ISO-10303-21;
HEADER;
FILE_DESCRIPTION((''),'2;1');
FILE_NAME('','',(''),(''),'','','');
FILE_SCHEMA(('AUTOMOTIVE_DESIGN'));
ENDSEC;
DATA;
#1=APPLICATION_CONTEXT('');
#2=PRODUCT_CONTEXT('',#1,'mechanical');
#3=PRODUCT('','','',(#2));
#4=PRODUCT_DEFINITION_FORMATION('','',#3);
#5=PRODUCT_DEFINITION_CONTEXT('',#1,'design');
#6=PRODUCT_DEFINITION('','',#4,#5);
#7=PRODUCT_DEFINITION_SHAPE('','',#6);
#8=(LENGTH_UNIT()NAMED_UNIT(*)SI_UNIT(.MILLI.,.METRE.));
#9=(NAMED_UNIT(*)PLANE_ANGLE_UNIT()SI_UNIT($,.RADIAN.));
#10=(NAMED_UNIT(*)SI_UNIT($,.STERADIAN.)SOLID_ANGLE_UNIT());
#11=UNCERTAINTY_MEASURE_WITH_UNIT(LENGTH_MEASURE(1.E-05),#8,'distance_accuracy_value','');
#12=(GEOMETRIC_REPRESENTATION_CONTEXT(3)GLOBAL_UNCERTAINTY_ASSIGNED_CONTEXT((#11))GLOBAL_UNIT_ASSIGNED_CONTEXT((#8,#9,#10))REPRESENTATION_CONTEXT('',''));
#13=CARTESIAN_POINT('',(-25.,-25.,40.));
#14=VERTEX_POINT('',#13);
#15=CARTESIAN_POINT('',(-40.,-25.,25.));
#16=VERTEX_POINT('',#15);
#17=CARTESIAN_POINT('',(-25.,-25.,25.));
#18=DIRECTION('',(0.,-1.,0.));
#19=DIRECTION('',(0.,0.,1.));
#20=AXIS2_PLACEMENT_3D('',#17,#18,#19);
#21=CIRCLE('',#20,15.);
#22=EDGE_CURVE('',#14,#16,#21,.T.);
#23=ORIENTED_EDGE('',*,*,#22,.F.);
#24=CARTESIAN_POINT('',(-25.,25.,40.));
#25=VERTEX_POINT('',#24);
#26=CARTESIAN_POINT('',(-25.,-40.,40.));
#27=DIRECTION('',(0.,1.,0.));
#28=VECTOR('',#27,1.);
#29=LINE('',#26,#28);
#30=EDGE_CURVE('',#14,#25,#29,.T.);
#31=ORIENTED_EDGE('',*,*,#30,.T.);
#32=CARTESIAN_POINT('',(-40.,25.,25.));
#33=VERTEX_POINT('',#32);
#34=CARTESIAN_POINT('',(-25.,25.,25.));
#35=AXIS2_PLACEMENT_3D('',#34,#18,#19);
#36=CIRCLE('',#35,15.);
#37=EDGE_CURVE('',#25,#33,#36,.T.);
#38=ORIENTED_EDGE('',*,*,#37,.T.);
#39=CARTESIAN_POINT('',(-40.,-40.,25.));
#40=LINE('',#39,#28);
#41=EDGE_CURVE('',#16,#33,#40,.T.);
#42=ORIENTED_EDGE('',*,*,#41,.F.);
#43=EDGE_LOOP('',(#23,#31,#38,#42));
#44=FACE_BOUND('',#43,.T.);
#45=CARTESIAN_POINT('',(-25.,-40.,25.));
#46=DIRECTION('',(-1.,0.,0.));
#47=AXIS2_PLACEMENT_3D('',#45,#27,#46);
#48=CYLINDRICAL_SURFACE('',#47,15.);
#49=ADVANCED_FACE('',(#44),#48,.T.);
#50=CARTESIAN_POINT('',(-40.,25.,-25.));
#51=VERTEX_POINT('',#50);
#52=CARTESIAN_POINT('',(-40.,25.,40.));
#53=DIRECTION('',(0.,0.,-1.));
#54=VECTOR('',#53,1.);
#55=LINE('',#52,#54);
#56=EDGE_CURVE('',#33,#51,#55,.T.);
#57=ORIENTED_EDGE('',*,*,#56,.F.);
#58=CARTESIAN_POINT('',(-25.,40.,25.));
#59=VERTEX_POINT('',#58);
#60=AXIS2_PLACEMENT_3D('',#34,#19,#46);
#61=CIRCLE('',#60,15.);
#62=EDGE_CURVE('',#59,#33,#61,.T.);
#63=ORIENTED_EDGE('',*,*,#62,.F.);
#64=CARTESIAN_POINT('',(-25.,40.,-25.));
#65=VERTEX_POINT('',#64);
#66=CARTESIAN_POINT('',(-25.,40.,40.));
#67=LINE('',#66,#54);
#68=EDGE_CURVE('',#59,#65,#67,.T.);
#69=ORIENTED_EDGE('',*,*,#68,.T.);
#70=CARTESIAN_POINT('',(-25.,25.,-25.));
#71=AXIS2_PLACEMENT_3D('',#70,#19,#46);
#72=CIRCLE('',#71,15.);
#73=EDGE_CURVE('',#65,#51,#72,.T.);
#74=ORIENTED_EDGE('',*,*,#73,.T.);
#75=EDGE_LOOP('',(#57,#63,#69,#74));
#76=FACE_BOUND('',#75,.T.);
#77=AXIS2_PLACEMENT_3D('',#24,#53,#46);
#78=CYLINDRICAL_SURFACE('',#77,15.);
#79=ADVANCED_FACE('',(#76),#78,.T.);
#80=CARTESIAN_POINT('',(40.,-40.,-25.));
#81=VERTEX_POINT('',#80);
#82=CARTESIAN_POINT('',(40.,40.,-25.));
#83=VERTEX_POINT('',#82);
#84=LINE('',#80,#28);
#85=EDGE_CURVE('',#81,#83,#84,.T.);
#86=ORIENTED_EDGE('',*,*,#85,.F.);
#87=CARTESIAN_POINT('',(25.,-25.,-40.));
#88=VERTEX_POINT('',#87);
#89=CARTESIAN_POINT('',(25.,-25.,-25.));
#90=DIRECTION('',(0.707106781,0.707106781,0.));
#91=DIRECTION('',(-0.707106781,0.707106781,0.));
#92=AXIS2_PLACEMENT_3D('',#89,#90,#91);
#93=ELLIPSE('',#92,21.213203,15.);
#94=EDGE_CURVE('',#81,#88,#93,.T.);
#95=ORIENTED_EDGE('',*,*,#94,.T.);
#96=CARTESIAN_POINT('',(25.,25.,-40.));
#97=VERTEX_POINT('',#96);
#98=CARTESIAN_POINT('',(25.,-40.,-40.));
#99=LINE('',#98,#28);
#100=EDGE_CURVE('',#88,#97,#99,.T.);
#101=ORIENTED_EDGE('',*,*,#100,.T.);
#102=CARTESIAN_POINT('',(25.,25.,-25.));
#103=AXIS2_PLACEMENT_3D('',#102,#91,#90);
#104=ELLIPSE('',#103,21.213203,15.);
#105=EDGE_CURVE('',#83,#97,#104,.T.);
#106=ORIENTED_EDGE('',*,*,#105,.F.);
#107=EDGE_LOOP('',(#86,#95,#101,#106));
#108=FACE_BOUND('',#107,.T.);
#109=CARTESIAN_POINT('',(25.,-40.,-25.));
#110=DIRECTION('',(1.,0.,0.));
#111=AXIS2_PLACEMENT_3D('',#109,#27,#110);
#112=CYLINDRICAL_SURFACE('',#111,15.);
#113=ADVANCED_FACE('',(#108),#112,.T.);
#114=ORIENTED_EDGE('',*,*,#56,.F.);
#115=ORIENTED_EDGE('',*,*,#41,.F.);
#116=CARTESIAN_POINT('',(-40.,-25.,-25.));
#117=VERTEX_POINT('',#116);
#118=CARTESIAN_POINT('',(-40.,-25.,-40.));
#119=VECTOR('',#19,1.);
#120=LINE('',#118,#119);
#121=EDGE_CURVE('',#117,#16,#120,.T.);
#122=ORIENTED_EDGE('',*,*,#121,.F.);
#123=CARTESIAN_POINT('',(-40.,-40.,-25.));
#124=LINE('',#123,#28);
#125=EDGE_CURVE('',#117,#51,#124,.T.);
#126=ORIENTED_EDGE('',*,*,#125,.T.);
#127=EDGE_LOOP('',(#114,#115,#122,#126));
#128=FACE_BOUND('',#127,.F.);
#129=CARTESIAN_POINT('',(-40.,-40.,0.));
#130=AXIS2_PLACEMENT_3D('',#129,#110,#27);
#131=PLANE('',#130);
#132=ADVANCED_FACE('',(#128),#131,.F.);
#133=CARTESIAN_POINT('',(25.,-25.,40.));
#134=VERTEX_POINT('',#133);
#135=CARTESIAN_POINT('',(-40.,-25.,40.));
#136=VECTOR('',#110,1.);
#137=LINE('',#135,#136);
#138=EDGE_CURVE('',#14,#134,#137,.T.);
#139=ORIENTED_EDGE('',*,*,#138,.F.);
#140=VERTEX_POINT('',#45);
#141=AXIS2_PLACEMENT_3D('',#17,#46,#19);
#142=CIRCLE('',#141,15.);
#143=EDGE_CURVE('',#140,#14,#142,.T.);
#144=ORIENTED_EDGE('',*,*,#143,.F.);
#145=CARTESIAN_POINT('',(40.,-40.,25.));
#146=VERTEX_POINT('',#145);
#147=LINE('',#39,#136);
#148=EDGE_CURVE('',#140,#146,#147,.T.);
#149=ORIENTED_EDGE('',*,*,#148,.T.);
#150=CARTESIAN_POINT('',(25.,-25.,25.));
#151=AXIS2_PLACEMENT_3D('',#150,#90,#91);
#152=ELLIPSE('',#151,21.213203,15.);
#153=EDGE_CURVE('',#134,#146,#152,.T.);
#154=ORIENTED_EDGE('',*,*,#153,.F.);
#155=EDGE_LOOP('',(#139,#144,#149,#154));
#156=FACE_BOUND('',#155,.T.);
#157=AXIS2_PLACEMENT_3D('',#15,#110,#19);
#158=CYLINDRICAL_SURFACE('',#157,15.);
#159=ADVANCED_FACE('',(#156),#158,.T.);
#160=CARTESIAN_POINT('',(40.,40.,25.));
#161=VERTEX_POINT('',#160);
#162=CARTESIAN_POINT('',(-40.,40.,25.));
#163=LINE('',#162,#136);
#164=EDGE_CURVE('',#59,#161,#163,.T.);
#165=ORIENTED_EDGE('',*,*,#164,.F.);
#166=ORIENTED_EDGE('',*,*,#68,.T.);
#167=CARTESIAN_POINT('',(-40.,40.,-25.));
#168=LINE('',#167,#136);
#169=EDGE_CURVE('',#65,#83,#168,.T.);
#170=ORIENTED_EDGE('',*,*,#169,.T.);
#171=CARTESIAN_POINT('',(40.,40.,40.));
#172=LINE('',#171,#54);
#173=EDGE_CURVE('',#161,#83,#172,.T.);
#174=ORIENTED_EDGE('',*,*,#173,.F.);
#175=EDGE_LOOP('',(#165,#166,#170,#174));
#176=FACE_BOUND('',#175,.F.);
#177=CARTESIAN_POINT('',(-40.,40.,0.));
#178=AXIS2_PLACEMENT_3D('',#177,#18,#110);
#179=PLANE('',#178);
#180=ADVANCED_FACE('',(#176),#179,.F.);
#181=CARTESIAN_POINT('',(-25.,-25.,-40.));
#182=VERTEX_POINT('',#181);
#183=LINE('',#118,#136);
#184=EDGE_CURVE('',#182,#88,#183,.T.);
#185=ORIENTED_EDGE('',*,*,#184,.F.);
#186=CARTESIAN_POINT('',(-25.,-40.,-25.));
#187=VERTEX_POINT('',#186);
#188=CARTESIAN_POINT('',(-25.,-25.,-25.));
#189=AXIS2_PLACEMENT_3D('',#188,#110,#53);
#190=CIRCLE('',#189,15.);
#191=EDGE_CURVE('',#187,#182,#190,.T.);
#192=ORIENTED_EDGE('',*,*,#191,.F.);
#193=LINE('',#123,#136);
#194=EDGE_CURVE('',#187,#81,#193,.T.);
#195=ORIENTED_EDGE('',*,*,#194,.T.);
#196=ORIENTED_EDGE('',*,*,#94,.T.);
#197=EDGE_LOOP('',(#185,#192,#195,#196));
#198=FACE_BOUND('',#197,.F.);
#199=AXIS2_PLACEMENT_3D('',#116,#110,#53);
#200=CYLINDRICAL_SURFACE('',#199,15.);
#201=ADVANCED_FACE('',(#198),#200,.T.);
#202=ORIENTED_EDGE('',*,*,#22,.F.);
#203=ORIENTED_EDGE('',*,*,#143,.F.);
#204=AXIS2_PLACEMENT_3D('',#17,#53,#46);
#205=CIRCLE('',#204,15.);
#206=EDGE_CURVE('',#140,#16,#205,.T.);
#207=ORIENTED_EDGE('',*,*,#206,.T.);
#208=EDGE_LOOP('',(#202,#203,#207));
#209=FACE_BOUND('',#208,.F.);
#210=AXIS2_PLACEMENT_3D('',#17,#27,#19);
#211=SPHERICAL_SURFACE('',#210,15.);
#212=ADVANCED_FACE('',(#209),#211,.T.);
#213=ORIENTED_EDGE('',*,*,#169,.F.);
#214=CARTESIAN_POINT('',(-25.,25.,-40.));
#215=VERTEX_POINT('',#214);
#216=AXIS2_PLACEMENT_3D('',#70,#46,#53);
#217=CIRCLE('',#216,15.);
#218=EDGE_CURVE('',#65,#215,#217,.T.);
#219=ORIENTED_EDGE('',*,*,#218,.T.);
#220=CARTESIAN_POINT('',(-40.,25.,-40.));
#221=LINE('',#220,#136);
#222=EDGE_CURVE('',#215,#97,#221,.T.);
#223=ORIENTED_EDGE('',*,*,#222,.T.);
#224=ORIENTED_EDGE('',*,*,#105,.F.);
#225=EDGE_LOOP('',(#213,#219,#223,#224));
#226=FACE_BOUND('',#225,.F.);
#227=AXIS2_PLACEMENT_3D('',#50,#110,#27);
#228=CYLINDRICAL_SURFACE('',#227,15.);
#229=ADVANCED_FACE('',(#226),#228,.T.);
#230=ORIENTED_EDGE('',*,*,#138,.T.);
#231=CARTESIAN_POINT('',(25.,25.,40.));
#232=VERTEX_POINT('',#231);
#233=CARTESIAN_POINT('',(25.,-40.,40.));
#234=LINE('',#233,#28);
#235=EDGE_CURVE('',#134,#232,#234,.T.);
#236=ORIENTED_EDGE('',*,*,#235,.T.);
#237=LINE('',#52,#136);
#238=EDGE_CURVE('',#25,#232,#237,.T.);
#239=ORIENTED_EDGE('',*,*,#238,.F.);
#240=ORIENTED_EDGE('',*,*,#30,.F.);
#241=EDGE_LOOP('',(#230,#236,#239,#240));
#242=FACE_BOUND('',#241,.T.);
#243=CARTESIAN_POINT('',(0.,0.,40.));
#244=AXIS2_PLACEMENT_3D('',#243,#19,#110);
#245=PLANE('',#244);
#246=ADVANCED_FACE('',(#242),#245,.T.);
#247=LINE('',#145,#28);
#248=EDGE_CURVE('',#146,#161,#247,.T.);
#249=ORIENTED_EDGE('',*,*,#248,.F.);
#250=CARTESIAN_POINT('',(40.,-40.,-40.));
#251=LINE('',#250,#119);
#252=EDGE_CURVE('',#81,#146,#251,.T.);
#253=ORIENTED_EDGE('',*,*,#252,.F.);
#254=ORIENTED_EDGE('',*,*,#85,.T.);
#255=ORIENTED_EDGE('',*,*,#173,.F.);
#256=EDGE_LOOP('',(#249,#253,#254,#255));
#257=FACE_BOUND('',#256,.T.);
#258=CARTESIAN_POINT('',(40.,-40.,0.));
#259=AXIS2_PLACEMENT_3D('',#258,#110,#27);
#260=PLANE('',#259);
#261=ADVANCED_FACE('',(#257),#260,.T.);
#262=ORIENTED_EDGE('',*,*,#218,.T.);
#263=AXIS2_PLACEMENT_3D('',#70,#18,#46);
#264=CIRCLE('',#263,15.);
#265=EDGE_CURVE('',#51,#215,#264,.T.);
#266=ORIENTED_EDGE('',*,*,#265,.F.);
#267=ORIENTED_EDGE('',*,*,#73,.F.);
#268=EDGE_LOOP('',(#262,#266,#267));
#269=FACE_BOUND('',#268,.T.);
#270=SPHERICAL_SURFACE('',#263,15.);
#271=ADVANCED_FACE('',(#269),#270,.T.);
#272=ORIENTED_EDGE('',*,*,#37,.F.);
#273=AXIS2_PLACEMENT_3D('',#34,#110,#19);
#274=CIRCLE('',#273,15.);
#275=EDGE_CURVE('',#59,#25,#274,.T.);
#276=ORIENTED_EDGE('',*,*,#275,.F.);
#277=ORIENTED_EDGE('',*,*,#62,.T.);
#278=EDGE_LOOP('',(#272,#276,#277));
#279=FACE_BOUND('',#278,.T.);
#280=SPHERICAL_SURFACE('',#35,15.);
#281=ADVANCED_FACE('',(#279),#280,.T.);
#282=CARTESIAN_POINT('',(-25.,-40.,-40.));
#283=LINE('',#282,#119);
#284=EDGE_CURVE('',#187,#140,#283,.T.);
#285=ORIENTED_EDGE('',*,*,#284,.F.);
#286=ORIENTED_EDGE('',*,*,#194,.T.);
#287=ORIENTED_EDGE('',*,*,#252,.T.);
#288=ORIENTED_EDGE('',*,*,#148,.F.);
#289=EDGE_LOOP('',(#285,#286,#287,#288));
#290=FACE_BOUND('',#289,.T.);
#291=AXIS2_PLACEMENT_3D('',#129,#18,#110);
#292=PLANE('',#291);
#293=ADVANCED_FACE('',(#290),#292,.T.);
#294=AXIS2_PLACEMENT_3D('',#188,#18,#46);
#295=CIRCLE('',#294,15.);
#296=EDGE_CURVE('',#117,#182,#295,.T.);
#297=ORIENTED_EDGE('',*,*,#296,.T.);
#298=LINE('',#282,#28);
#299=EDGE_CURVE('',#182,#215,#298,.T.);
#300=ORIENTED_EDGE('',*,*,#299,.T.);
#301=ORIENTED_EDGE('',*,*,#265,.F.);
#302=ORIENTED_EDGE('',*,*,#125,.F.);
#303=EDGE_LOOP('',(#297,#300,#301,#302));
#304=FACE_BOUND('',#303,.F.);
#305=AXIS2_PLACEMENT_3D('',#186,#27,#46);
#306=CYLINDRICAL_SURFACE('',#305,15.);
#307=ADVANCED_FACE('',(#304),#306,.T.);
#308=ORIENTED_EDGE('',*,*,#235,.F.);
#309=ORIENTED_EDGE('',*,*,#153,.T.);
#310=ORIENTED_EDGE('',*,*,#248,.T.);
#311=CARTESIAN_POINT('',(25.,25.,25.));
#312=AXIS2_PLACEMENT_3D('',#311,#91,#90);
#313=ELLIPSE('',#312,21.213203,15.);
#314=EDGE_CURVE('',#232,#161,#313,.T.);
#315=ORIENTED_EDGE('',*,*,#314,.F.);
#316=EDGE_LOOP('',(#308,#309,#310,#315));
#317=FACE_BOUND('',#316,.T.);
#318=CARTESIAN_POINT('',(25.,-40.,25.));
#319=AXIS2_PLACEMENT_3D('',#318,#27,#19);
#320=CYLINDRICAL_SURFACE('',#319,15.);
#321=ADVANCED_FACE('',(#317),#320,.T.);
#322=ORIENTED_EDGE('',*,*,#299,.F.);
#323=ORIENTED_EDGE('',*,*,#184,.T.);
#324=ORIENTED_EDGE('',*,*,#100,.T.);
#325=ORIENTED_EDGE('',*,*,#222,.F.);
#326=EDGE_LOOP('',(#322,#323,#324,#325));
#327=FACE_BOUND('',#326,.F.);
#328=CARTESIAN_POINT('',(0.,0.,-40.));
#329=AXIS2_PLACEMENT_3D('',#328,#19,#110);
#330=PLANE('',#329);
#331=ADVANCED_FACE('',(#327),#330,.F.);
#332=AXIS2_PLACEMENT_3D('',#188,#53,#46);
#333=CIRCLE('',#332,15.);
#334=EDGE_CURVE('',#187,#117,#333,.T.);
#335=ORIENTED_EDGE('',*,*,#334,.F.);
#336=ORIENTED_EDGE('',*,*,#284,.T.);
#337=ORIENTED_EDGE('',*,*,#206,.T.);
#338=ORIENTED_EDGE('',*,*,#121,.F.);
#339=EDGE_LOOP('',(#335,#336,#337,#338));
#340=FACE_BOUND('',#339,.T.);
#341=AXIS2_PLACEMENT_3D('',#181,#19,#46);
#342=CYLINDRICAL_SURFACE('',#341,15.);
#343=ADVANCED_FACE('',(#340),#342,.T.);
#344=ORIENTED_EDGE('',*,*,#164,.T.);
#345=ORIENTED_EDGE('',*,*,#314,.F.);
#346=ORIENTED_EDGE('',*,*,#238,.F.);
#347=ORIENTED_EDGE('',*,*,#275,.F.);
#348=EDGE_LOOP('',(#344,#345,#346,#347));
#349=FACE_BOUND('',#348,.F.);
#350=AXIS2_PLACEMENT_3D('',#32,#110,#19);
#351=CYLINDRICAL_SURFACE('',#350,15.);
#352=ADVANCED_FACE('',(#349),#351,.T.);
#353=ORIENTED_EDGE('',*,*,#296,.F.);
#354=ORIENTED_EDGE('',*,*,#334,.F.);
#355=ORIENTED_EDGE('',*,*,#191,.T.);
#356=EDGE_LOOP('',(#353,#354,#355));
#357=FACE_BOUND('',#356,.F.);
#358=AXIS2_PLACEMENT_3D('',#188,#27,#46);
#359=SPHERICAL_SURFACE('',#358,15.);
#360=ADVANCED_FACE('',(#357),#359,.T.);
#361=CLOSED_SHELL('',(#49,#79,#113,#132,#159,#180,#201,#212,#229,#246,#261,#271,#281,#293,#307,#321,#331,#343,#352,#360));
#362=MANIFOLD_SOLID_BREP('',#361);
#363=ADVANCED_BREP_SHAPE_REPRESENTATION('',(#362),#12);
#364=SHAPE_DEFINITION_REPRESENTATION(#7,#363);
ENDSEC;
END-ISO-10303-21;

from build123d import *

# Parameters (mm, degrees)
F0_W     = 80
F0_H     = 80
F1_DEPTH = 40
F2_R     = 15


with BuildPart() as f1:
    # F0 (on Top) → F1 (new body, symmetric)
    with BuildSketch(Plane.XY):
        Rectangle(F0_W, F0_H)
    extrude(amount=F1_DEPTH, both=True)

    # F2
    f2_edges = [f1.edges().sort_by_distance(p)[0] for p in [
        (-40, 0, 40),
        (40, 0, 40),
        (0, -40, 40),
        (0, 40, 40),
        (-40, 0, -40),
        (-40, -40, 0),
        (-40, 40, 0),
        (0, 40, -40),
        (40, 0, -40),
        (0, -40, -40),
    ]]
    fillet(f2_edges, radius=F2_R)


solid = f1.part
